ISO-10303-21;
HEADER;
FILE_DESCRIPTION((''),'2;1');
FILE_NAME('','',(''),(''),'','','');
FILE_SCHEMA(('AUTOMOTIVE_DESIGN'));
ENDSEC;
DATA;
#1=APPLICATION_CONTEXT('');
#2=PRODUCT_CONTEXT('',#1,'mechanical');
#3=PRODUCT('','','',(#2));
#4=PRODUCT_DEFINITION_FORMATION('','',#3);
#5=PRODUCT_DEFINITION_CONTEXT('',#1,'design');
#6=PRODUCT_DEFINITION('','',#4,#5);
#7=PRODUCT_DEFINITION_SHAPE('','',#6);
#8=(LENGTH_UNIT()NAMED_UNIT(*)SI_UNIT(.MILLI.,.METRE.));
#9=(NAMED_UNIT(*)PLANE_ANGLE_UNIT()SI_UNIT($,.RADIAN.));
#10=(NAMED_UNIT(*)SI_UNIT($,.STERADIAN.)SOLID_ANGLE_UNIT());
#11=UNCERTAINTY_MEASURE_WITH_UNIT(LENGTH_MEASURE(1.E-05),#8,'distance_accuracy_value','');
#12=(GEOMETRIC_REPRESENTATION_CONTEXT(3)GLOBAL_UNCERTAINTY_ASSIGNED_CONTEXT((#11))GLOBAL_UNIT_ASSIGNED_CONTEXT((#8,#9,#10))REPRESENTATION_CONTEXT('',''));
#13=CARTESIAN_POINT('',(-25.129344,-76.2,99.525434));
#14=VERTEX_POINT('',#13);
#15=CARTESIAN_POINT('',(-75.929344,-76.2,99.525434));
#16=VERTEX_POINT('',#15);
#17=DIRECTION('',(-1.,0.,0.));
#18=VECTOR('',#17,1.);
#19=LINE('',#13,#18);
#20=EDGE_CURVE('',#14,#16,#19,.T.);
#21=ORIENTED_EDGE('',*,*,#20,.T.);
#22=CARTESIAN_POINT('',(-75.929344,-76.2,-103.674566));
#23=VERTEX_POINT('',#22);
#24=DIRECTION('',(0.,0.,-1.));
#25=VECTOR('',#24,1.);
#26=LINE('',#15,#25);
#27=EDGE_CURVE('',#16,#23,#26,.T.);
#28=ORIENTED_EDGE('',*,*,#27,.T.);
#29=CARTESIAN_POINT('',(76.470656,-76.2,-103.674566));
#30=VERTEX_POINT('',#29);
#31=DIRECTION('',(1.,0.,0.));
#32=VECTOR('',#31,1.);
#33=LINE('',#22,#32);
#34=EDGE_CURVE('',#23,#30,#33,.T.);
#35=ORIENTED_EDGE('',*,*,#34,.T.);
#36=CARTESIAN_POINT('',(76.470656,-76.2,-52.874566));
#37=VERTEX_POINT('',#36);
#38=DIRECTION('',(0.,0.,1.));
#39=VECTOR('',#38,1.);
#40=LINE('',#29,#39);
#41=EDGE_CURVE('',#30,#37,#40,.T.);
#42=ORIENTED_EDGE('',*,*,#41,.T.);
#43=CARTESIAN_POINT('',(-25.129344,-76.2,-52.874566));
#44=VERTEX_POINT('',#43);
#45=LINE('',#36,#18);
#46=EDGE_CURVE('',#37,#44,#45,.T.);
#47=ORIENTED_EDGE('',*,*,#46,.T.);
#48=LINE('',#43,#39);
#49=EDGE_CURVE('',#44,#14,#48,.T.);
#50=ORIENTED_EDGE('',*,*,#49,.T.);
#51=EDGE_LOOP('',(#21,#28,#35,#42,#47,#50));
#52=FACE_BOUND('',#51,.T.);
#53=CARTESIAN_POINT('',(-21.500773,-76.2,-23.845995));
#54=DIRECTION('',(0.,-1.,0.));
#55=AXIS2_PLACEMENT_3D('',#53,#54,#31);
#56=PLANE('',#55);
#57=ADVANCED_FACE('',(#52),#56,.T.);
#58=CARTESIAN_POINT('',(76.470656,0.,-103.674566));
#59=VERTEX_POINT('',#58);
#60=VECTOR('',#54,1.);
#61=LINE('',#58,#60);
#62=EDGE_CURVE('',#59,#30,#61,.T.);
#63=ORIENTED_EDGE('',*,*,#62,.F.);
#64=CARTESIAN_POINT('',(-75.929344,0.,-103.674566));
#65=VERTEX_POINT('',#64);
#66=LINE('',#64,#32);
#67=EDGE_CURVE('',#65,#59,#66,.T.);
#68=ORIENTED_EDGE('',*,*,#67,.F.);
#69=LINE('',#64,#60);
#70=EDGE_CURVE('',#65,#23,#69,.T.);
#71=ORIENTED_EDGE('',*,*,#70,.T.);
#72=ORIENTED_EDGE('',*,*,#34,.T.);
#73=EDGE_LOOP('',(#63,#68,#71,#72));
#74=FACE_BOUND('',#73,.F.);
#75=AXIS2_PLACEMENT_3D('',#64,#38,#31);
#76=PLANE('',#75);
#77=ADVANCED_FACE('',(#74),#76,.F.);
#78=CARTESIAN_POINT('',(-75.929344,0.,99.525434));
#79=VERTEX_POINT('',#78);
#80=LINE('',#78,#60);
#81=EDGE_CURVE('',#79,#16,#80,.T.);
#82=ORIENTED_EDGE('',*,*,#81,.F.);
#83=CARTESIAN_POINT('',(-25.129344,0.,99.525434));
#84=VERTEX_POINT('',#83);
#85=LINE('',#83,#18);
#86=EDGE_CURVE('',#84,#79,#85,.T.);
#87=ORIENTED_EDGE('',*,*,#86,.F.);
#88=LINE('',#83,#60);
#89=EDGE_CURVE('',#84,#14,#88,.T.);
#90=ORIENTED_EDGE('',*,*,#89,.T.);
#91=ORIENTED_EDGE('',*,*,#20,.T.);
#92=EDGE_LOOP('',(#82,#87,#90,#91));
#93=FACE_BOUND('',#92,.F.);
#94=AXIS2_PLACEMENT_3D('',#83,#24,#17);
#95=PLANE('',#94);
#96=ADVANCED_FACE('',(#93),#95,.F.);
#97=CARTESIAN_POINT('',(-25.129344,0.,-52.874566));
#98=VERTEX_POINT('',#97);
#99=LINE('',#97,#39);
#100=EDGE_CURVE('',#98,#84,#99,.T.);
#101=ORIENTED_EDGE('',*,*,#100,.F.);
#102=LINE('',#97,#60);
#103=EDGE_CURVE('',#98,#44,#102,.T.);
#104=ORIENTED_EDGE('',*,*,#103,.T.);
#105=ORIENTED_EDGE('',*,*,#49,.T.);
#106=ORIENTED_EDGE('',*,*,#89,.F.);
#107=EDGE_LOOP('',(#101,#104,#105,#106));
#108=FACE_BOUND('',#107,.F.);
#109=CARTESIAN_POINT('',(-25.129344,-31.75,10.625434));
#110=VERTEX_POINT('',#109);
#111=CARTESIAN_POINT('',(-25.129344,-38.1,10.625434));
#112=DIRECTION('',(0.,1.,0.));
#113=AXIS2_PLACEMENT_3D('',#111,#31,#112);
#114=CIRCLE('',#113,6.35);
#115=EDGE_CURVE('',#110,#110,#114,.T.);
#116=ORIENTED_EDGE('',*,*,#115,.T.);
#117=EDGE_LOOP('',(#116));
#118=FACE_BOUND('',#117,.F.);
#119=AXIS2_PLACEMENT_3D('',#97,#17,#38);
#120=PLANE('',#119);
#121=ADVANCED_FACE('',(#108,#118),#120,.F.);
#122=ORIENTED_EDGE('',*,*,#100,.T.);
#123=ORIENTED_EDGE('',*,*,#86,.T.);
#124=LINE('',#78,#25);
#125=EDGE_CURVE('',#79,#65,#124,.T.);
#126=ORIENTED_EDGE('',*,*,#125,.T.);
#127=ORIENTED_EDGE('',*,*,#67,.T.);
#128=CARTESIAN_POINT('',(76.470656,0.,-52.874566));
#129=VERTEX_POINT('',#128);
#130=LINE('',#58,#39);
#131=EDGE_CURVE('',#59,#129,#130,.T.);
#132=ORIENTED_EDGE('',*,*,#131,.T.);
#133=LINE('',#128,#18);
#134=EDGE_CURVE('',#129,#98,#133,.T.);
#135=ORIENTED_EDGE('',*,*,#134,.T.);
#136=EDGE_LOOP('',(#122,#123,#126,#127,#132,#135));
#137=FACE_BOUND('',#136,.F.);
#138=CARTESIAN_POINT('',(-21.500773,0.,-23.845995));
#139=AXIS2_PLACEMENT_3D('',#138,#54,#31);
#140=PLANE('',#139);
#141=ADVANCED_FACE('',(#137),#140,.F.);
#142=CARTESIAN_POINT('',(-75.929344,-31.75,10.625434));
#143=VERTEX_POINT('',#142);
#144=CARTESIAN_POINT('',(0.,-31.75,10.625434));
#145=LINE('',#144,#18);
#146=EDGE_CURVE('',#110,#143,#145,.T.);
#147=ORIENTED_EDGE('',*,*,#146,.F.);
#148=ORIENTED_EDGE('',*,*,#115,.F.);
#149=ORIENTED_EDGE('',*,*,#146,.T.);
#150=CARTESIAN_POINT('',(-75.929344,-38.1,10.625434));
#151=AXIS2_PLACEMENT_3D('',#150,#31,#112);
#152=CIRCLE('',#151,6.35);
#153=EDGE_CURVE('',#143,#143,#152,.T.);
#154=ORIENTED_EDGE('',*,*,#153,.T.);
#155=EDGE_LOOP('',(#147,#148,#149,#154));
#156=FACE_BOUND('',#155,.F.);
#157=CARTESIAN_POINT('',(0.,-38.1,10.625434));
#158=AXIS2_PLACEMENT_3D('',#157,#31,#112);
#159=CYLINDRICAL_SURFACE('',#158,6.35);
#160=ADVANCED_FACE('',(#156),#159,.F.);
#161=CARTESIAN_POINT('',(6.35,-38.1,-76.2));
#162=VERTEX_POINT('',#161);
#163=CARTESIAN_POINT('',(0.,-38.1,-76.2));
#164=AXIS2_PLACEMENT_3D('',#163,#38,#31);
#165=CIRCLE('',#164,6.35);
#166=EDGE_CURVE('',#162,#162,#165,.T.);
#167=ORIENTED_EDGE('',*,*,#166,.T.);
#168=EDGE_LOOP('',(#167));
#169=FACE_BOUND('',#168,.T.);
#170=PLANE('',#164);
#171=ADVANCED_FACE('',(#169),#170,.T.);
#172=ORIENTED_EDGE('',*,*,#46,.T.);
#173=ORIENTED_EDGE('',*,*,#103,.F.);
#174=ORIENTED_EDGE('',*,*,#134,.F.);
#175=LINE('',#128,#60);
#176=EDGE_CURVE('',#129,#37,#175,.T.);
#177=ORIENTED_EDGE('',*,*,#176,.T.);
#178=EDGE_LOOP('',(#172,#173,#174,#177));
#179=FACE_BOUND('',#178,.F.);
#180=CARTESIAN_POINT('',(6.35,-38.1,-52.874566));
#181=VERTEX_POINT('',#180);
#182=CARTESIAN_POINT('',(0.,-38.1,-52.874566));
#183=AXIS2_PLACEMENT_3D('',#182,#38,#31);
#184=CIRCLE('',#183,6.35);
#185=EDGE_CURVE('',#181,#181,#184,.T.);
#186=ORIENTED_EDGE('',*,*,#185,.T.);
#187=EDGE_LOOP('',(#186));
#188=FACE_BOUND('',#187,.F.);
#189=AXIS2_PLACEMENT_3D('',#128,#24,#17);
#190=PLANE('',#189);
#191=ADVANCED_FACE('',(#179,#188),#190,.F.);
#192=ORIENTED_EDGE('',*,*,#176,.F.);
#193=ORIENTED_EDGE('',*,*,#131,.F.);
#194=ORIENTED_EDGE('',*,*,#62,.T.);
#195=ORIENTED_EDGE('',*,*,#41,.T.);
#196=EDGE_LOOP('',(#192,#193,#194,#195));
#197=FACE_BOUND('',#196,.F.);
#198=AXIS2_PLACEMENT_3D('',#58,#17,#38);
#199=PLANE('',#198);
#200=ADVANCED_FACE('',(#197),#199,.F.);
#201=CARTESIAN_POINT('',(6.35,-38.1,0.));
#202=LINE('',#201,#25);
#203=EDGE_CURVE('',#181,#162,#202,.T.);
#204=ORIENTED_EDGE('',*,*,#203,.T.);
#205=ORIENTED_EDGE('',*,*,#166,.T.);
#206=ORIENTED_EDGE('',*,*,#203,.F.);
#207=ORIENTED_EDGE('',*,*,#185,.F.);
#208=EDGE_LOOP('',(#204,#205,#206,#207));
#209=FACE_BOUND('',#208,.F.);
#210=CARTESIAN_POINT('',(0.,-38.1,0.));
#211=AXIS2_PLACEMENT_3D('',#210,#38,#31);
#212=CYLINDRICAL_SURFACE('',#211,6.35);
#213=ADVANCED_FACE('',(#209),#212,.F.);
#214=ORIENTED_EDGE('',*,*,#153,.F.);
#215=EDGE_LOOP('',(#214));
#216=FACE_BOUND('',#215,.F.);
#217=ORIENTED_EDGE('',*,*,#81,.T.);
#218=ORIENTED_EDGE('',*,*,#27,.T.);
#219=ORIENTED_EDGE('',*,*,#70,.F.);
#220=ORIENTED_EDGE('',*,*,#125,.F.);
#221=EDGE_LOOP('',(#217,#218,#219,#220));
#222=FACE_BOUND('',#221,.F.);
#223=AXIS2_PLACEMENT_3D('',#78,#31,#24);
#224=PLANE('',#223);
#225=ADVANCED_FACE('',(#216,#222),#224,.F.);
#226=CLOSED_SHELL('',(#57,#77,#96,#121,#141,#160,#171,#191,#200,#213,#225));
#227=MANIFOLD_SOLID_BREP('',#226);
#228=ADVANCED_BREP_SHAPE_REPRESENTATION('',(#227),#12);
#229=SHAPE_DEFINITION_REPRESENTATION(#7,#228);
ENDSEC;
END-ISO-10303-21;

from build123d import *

# Parameters (mm, degrees)
F1_DEPTH = 76.2
F2_R     = 6.35
F3_DEPTH = 76.2
F4_R     = 6.35
F5_DEPTH = 76.2


with BuildPart() as f1:
    # F0 (on Front) → F1 (new body)
    with BuildSketch(Plane.XZ):
        Polygon((-25.129344, 99.525434), (-75.929344, 99.525434), (-75.929344, -103.674566), (76.470656, -103.674566), (76.470656, -52.874566), (-25.129344, -52.874566), align=None)
    extrude(amount=F1_DEPTH)

    # F2 (on Right) → F3 (cut)
    with BuildSketch(Plane.YZ):
        with Locations((-38.1, 10.625434)):
            Circle(F2_R)
    extrude(amount=-F3_DEPTH, mode=Mode.SUBTRACT)

    # F4 (on Top) → F5 (cut)
    with BuildSketch(Plane.XY):
        with Locations((0, -38.1)):
            Circle(F4_R)
    extrude(amount=-F5_DEPTH, mode=Mode.SUBTRACT)


solid = f1.part
